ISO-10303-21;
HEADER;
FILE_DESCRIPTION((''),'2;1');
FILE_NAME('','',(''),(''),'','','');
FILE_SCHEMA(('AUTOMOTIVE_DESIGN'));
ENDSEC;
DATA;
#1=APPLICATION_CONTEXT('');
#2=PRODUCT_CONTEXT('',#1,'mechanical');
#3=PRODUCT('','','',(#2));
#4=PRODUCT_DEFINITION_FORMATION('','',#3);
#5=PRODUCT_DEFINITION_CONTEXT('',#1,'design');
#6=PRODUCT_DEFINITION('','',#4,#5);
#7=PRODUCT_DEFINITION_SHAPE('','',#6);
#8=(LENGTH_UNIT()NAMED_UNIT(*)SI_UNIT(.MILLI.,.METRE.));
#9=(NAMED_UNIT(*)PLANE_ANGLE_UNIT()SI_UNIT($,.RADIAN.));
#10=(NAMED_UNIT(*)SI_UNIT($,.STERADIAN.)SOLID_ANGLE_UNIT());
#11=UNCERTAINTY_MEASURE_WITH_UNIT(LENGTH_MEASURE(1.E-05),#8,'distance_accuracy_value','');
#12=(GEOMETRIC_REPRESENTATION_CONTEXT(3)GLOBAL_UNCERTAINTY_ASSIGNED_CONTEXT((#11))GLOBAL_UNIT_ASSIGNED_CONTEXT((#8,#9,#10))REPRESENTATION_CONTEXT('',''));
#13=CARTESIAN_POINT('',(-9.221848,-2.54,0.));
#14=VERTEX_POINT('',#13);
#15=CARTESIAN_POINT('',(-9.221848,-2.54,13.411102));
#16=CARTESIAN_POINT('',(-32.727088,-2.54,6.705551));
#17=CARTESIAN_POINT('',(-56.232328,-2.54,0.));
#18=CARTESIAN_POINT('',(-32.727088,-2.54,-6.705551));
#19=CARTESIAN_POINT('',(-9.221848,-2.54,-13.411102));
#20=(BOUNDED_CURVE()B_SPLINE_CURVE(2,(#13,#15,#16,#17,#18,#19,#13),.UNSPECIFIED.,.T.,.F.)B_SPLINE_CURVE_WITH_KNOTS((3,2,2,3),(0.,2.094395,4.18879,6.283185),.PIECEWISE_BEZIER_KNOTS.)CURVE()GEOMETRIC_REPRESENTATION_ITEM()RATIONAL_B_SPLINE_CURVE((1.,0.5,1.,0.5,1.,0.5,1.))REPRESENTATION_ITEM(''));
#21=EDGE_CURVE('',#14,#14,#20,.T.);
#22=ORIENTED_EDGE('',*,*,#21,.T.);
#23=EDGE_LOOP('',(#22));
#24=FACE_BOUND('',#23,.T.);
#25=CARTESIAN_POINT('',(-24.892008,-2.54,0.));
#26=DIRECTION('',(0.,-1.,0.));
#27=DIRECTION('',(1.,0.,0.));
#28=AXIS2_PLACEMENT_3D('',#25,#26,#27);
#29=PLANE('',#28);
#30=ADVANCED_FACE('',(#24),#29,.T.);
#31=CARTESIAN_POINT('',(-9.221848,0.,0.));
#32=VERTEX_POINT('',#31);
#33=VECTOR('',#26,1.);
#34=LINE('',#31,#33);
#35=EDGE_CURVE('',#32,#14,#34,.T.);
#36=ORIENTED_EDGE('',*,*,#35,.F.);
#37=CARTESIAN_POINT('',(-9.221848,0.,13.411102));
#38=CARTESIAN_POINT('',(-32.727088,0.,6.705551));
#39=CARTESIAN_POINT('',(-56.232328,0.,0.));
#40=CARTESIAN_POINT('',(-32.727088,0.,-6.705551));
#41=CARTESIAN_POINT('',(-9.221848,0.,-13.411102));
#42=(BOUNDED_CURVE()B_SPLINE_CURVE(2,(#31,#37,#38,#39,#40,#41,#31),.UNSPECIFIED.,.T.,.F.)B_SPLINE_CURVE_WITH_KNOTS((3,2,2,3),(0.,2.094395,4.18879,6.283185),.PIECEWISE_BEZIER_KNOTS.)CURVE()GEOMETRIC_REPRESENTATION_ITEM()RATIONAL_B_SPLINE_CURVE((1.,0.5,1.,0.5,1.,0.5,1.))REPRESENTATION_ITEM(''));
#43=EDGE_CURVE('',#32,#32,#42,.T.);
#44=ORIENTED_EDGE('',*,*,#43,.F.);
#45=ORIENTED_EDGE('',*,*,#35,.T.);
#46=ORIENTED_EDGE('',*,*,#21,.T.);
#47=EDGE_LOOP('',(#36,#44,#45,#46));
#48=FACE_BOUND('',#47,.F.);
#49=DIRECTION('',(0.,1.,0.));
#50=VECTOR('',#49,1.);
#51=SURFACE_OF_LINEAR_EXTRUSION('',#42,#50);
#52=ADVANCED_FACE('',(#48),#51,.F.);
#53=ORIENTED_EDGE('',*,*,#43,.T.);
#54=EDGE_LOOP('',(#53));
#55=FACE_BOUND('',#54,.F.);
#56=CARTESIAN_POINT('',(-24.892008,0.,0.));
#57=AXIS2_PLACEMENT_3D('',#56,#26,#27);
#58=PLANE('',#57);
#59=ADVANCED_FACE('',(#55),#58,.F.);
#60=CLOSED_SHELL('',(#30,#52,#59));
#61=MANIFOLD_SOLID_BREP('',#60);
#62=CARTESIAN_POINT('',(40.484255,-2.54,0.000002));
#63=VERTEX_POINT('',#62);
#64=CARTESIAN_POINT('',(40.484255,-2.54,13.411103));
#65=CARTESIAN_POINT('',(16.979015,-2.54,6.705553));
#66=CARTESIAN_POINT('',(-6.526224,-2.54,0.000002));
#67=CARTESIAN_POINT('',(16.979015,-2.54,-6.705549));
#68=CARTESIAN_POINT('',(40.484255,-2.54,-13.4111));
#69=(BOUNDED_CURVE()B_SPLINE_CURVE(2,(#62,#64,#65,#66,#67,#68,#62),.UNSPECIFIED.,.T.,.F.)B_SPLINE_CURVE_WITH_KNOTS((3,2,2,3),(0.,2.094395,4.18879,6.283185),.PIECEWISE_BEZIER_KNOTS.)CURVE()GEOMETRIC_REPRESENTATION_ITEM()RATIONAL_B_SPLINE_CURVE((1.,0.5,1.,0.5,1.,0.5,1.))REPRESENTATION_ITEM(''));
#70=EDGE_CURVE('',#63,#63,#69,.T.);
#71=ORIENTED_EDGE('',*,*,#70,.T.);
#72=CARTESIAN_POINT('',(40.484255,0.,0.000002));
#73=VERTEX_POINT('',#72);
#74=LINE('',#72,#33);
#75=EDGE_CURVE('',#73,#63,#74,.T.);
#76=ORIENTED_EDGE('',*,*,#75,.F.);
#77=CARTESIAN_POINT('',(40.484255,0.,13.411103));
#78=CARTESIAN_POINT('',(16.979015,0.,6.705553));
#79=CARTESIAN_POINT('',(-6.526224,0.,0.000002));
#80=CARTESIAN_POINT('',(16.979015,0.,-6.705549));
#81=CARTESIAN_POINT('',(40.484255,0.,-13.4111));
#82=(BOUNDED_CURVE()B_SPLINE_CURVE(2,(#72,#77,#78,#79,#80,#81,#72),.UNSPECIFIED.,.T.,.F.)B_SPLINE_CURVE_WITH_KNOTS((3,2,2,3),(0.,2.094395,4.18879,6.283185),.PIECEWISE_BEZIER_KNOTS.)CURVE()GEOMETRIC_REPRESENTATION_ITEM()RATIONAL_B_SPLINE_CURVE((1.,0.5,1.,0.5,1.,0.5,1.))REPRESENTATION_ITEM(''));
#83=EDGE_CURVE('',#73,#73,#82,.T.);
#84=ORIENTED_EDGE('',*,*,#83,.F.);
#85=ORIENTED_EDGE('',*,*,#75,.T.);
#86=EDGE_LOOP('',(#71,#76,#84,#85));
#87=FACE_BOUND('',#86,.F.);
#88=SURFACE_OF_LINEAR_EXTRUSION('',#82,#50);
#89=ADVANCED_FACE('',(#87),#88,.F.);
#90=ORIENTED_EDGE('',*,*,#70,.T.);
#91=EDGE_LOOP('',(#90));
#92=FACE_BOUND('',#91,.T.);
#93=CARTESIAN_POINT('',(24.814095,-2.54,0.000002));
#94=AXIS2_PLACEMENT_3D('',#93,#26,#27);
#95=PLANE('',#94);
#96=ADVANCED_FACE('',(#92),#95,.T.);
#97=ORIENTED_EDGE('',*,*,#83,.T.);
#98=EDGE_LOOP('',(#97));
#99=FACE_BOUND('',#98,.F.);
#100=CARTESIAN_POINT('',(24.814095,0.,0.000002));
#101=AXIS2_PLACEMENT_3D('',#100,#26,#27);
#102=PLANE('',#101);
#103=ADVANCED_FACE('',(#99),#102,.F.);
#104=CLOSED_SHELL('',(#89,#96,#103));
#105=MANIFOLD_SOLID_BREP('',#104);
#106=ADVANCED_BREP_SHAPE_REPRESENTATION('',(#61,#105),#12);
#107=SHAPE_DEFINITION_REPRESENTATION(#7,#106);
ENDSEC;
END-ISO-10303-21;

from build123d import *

# Parameters (mm, degrees)
F2_DEPTH = 2.54
F3_DEPTH = 2.54


with BuildPart() as f2:
    # F0 (on Front) → F2 (new body)
    with BuildSketch(Plane.XZ):
        with BuildLine():
            add(Edge.make_bspline(
                [(-9.221848, 0), (-9.221848, 13.411102), (-32.727088, 6.705551), (-56.232328, 0), (-32.727088, -6.705551), (-9.221848, -13.411102), (-9.221848, 0)],
                knots=[0, 0, 0, 2.094395, 2.094395, 4.18879, 4.18879, 6.283185, 6.283185, 6.283185], degree=2, weights=[1, 0.5, 1, 0.5, 1, 0.5, 1]))
        make_face()
    extrude(amount=F2_DEPTH)


with BuildPart() as f3:
    # F1 (on face) → F3 (new body)
    with BuildSketch(Plane.XZ):
        with BuildLine():
            add(Edge.make_bspline(
                [(40.484255, 2e-06), (40.484255, 13.411103), (16.979015, 6.705553), (-6.526224, 2e-06), (16.979015, -6.705549), (40.484255, -13.4111), (40.484255, 2e-06)],
                knots=[0, 0, 0, 2.094395, 2.094395, 4.18879, 4.18879, 6.283185, 6.283185, 6.283185], degree=2, weights=[1, 0.5, 1, 0.5, 1, 0.5, 1]))
        make_face()
    extrude(amount=F3_DEPTH)


solid = Compound([f2.part, f3.part])
